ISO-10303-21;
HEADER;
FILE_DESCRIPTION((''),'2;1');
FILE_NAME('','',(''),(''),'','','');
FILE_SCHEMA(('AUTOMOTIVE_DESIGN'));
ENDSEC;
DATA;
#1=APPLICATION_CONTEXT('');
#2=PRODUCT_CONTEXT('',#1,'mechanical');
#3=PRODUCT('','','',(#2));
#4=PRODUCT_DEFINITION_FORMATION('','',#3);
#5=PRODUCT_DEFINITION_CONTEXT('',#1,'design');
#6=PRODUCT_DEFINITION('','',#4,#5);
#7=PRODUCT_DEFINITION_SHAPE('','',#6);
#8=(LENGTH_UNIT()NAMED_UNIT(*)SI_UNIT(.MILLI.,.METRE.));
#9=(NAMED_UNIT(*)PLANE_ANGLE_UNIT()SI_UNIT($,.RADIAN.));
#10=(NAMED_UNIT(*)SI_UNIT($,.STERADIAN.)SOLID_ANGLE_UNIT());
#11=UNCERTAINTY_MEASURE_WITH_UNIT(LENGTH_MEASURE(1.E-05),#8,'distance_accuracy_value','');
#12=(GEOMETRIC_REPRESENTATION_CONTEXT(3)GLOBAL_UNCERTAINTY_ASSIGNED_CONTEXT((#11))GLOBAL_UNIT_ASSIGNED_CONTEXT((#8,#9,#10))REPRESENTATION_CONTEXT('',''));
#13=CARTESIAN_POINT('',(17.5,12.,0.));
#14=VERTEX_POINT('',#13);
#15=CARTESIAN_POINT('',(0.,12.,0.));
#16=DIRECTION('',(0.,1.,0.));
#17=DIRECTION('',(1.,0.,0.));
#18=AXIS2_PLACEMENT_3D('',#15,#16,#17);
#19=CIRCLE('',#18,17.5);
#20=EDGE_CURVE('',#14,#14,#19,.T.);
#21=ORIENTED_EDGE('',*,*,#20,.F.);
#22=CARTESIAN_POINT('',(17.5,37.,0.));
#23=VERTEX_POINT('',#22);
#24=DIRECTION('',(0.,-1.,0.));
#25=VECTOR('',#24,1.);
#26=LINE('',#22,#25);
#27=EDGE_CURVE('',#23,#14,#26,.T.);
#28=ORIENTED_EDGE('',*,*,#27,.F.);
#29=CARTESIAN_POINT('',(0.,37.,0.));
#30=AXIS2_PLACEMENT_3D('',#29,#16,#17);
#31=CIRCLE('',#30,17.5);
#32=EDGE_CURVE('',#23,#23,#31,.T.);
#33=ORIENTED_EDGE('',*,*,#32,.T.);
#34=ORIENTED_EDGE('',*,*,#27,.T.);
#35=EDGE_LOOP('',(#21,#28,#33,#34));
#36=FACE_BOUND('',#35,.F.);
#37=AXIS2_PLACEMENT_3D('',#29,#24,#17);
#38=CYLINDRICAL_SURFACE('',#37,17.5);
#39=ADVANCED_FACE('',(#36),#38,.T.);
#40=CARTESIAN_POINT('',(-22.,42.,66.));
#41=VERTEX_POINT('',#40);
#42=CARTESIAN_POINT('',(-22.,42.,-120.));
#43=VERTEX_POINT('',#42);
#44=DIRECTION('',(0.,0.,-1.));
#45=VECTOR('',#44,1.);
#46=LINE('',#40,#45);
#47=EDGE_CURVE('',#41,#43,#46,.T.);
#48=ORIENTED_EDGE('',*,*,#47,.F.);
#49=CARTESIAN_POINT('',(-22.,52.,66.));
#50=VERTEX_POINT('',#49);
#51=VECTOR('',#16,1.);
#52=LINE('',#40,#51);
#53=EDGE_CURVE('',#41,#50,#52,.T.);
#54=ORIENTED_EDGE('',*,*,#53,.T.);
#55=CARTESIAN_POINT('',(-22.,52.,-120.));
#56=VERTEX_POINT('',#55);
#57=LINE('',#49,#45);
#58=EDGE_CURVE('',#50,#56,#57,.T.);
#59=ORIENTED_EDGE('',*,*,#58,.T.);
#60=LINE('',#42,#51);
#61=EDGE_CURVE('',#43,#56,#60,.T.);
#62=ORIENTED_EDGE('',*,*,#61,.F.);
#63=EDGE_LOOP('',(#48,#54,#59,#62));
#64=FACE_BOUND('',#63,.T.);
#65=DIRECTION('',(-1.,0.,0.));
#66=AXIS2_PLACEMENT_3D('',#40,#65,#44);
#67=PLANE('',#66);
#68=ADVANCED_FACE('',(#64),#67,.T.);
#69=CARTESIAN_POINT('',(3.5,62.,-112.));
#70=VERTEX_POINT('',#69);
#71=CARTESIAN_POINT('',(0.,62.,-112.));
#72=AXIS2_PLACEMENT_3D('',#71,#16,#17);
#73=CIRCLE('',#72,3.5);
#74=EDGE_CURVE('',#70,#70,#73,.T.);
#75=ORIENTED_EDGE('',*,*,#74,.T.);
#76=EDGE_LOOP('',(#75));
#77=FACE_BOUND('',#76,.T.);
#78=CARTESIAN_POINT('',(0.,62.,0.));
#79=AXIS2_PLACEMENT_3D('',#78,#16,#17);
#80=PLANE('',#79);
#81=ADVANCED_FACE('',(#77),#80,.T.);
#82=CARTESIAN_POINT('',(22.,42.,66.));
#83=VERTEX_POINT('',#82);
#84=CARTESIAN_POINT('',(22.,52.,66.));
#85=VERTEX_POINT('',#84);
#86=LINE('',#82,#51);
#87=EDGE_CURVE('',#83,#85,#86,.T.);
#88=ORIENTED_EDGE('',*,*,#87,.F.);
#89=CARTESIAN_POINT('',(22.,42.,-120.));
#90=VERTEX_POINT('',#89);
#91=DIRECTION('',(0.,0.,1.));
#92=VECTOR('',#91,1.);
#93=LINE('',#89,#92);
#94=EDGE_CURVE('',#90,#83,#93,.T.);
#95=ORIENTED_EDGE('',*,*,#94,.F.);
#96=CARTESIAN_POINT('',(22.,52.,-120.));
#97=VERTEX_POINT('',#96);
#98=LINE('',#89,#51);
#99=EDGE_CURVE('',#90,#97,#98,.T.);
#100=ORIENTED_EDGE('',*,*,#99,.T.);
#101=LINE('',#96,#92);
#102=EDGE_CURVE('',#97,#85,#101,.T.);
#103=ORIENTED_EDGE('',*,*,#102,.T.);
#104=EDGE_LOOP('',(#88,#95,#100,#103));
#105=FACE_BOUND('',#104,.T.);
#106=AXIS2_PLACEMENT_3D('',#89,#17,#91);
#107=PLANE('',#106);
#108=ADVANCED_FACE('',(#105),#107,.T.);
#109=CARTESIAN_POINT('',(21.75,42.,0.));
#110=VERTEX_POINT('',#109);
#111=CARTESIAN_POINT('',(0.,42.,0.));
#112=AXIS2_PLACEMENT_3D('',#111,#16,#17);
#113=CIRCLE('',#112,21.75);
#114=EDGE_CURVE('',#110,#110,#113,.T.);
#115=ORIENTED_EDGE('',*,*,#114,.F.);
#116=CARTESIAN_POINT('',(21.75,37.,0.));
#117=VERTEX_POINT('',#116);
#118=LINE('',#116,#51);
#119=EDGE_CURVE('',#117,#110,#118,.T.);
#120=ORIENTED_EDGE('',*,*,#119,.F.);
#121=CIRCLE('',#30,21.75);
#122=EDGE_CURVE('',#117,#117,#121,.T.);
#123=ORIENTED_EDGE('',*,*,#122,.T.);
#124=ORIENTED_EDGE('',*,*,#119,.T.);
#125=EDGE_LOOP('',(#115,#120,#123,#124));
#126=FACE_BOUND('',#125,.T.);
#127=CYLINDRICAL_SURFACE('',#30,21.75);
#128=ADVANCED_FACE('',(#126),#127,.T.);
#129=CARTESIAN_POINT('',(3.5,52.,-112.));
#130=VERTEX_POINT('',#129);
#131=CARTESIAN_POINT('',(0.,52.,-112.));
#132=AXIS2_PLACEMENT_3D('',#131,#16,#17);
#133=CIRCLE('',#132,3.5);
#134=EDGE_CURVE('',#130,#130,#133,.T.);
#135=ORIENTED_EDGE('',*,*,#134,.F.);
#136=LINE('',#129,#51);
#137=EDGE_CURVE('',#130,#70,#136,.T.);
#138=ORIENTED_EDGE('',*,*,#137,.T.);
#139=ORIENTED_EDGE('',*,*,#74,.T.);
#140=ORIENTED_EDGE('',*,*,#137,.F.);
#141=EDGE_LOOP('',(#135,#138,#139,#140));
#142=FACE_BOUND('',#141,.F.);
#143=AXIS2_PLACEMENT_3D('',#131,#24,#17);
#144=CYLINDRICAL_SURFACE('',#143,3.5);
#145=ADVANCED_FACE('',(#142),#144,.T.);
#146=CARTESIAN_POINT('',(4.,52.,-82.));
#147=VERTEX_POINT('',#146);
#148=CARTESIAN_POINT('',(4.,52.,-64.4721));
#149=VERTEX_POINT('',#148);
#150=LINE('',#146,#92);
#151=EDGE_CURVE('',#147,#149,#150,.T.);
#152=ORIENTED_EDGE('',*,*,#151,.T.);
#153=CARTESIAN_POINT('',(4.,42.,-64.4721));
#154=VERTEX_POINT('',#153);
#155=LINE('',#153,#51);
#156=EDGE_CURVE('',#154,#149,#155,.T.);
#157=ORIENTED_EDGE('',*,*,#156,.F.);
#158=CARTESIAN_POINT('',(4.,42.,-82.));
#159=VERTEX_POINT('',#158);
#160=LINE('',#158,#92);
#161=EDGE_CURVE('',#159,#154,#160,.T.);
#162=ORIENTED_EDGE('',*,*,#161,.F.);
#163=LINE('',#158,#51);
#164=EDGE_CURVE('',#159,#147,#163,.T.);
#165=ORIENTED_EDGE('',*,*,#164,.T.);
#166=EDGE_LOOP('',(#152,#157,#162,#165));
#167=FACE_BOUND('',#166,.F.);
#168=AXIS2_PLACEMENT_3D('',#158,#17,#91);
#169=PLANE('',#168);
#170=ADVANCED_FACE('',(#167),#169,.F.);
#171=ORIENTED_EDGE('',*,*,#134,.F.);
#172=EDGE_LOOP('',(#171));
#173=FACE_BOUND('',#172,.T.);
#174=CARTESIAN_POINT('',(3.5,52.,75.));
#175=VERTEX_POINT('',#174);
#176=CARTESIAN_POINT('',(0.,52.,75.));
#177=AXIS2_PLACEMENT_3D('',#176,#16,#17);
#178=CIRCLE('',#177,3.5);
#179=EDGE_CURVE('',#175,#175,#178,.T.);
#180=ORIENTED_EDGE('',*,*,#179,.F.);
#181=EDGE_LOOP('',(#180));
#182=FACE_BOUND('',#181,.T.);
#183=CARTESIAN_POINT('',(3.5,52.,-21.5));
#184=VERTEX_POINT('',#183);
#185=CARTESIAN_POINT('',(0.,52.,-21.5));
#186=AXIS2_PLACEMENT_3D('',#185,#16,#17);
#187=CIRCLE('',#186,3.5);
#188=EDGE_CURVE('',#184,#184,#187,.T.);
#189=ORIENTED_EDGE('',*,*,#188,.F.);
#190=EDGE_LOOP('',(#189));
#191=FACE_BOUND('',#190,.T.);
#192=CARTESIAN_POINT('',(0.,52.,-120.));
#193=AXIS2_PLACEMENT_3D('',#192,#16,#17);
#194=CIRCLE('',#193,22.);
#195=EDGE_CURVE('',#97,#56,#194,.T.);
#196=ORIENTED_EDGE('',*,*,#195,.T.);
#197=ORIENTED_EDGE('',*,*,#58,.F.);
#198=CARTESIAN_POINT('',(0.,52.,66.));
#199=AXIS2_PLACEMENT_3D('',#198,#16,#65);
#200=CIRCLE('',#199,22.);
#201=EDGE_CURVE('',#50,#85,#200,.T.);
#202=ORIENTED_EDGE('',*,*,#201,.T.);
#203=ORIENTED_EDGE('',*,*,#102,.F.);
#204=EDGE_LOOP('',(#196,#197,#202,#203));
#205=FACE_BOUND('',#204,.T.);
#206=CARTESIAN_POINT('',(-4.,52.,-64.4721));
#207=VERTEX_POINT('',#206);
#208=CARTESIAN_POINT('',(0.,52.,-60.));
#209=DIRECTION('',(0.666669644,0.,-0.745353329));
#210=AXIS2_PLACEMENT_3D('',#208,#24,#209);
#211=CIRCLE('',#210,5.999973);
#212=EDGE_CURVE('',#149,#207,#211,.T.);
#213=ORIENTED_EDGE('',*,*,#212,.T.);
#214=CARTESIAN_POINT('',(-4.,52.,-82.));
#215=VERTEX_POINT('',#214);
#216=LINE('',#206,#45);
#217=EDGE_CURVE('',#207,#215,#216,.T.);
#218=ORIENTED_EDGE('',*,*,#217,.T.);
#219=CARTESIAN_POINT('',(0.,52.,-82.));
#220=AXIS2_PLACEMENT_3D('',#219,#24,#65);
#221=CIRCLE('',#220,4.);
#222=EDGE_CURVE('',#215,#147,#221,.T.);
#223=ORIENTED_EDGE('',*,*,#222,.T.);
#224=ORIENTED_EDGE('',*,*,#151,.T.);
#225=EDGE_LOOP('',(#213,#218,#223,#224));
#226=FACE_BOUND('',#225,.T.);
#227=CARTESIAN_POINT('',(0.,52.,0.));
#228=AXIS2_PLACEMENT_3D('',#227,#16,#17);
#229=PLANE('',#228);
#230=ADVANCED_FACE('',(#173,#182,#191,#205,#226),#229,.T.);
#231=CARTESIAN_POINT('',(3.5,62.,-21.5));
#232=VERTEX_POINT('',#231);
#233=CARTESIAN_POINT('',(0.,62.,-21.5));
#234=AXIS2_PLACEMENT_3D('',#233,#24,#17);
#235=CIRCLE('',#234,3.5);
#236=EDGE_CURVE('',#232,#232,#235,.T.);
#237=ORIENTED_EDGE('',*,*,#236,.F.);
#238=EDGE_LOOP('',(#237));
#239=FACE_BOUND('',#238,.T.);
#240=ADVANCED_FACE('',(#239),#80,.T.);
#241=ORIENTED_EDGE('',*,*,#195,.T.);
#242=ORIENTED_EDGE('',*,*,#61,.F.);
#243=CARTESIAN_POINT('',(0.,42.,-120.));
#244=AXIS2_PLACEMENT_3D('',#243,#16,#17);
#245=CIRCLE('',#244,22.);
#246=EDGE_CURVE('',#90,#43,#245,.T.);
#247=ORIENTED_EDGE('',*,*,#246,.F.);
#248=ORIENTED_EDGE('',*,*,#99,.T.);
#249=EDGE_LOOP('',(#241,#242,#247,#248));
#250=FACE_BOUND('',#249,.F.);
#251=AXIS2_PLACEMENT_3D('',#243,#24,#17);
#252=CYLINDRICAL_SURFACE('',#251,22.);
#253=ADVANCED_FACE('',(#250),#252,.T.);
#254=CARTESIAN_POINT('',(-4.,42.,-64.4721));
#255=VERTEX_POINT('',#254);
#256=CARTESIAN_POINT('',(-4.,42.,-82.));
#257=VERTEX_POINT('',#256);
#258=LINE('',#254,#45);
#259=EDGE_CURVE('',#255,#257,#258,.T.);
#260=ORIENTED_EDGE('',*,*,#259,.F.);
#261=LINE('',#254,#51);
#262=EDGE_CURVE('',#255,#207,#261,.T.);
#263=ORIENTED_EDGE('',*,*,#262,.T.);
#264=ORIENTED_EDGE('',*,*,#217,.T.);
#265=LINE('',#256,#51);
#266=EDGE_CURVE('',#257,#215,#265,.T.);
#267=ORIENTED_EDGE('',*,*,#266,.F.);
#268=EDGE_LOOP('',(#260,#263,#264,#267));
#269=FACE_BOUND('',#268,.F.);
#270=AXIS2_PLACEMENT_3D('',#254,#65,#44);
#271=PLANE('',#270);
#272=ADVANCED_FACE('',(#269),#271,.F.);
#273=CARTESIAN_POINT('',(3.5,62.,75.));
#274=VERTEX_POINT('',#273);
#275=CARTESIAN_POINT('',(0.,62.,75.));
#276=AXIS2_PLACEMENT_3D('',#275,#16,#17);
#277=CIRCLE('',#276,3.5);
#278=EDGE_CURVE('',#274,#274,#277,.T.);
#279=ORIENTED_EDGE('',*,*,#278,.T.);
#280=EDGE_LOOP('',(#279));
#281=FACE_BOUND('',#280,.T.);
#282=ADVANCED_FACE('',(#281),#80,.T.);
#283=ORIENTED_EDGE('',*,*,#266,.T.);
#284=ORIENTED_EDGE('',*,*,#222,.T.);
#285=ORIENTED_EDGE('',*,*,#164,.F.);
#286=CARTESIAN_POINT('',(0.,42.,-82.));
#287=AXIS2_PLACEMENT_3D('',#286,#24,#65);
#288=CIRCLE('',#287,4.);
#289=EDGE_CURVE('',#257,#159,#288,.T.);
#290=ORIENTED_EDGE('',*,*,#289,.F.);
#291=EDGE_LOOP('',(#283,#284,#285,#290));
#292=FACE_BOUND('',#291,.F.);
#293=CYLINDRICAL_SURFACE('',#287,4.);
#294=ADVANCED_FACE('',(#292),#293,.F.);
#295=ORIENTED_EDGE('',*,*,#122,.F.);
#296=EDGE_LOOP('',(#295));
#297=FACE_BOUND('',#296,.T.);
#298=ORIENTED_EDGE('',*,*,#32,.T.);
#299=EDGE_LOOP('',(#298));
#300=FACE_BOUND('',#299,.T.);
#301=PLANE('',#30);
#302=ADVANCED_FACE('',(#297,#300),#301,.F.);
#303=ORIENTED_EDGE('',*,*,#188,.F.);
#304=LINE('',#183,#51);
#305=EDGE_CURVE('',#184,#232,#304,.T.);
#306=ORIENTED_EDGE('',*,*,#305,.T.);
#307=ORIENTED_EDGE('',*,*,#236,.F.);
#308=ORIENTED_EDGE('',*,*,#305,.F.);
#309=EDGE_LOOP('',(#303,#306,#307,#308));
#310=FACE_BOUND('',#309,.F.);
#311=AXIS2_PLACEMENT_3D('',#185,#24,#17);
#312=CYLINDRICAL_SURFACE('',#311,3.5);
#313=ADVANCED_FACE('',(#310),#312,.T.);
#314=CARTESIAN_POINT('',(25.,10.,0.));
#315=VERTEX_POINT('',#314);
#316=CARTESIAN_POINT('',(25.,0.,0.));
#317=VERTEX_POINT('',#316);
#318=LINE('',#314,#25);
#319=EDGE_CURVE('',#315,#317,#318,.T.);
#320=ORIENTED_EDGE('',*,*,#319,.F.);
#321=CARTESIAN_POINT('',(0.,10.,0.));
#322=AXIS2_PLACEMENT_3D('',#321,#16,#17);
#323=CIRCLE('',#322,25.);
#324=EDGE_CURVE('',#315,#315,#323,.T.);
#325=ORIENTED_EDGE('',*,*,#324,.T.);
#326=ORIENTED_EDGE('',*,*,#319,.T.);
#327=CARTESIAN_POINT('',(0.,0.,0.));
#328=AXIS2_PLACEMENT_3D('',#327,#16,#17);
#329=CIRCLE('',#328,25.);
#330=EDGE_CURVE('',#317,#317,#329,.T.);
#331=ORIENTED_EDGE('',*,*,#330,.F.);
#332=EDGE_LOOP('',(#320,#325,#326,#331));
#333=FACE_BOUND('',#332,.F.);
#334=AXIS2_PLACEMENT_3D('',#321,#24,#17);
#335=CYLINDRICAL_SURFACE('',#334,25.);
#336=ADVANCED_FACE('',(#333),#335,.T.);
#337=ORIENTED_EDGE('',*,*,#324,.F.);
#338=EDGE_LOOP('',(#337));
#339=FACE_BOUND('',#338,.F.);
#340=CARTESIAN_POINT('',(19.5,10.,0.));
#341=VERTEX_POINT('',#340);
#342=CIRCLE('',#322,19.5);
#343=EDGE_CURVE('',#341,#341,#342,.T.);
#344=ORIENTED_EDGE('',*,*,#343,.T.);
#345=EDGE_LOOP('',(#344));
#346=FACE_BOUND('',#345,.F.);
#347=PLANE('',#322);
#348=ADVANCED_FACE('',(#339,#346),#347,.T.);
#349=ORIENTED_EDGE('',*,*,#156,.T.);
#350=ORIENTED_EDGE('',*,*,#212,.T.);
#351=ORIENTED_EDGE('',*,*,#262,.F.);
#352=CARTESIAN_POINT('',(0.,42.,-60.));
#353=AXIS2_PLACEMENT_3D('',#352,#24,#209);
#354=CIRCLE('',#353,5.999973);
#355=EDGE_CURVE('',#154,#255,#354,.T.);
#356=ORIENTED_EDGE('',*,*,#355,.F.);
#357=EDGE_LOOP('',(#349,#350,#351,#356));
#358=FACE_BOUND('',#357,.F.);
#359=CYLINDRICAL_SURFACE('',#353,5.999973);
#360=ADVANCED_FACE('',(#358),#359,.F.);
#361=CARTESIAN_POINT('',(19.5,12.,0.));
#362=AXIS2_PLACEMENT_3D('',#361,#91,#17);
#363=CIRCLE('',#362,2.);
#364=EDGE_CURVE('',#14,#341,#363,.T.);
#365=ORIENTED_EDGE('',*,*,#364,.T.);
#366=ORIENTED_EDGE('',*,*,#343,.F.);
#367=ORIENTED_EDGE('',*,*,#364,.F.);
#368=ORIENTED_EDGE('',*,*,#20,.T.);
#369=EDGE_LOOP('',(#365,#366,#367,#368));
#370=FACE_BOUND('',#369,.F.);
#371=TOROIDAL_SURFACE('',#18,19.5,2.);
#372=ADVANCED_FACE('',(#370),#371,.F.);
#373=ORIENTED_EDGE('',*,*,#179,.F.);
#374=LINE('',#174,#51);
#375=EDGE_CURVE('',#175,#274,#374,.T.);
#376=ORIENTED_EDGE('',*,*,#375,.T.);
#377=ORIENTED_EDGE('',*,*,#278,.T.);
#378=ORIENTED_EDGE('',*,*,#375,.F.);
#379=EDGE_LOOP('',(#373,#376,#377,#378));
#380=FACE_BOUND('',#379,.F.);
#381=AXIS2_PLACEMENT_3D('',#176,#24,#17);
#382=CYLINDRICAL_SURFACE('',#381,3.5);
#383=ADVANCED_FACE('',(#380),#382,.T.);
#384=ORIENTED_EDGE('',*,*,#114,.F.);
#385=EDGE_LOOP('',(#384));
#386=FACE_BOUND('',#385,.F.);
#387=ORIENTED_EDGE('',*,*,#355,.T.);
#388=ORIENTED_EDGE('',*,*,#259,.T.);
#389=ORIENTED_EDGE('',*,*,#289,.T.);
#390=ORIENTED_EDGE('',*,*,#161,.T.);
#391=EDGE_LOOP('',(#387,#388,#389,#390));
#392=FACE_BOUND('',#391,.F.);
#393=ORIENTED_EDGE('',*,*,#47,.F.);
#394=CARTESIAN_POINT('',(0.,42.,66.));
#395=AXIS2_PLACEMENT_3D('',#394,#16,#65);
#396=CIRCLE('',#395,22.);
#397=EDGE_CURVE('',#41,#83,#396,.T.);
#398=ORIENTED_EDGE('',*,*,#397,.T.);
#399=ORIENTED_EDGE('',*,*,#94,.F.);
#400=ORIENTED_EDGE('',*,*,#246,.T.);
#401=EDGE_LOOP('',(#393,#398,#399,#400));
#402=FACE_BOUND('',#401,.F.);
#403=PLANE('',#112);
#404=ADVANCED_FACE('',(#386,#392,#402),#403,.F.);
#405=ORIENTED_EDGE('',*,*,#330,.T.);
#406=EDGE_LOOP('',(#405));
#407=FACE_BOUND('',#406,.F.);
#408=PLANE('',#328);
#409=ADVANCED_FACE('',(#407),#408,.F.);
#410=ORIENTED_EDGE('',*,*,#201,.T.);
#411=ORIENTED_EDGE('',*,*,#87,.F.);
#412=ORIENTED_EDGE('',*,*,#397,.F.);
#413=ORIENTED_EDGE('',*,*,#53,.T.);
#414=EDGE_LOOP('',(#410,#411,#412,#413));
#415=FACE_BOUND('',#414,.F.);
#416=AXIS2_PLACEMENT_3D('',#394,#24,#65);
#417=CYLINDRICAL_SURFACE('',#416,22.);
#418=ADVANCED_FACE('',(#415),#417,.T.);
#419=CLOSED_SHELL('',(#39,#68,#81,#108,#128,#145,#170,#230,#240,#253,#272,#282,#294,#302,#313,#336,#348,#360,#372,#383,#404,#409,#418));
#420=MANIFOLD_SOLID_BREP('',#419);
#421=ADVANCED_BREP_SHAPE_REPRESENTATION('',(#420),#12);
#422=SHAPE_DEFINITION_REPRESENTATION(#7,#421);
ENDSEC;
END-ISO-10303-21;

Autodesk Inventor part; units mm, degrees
ref_plane "YZ Plane" through (0, 0, 0) normal (1, 0, 0) x (0, 1, 0)
ref_plane "XZ Plane" through (0, 0, 0) normal (0, 1, 0) x (-1, 0, 0)
ref_plane "XY Plane" through (0, 0, 0) normal (0, 0, 1) x (1, 0, 0)
sketch "Sketch1" plane through (0, 0, 0) normal (0, 0, 1) x (1, 0, 0)
  line L0 (0, 0) -> (0, 42)
  line L1 (17.5, 37) -> (17.5, 10)
  line L2 (17.5, 10) -> (25, 10)
  line L3 (25, 10) -> (25, 0)
  line L4 (25, 0) -> (0, 0)
  line L5 (17.5, 37) -> (21.75, 37)
  line L6 (21.75, 37) -> (21.75, 42)
  line L7 (21.75, 42) -> (0, 42)
  dimension "d1" = 50
  dimension "d3" = 10
  dimension "d4" = 35
  dimension "d12" = 37
  dimension "d13" = 5
  dimension "d14" = 43.5
revolve "Revolution1" add sketch "Sketch1" angle 360 about axis through (0, 0, 0) along (0, 1, 0)
sketch "Sketch3" plane through (0, 42, 0) normal (0, 1, 0) x (1, 0, 0)
  line L0 (0, -66) -> (0, 120) construction
  line L1 (-22, -66) -> (-22, 120)
  line L2 (22, 120) -> (22, -66)
  arc A0 (-22, -66) -> (22, -66) centre (0, -66) ccw
  arc A1 (22, 120) -> (-22, 120) centre (0, 120) ccw
  point P0 (0, 0)
  point P1 (0, 27)
  point P2 (0, -88)
  point P3 (0, 142)
  dimension "d16" = 44
  dimension "d17" = 88
  dimension "d18" = 230
extrude "Extrusion2" add sketch "Sketch3" along normal blind 10
fillet "Fillet2" radius 2 1 edges at (-17.5, 10, 0)
sketch "Sketch4" plane through (0, 52, 0) normal (0, 1, 0) x (1, 0, 0)
  circle A0 centre (0, -75) radius 3.5
  circle A1 centre (0, 21.5) radius 3.5
  circle A2 centre (0, 112) radius 3.5
  circle A3 centre (0, 0) radius 21.75 projected
  point P0 (0, 0)
  dimension "d23" = 7
  dimension "d24" = 21.5
  dimension "d25" = 90.5
  dimension "d26" = 75
extrude "Extrusion3" add sketch "Sketch4" along normal blind 10 contours A0 | A1 A3 | A3 A1 | A2 picked at (0.1355, 22.8044) picked at (-0.1398, 20.4874)
sketch "Sketch5" plane through (0, 42, 0) normal (0, -1, 0) x (1, 0, 0)
  arc A0 (4, -64.4721) -> (-4, -64.4721) centre (0, -60) ccw
  circle A1 centre (0, 0) radius 21.75 projected
  circle A2 centre (0, -112) radius 3.5 projected
  line L0 (-4, -64.4721) -> (-4, -82)
  arc A3 (-4, -82) -> (4, -82) centre (0, -82) ccw
  line L1 (4, -82) -> (4, -64.4721)
  dimension "d29" = 60
  dimension "d30" = 12
  dimension "d31" = 4
  dimension "d32" = 22
extrude "Extrusion4" cut sketch "Sketch5" against normal blind 10 contours L1 A3 L0 A0
properties part number "garnitur_rund"
